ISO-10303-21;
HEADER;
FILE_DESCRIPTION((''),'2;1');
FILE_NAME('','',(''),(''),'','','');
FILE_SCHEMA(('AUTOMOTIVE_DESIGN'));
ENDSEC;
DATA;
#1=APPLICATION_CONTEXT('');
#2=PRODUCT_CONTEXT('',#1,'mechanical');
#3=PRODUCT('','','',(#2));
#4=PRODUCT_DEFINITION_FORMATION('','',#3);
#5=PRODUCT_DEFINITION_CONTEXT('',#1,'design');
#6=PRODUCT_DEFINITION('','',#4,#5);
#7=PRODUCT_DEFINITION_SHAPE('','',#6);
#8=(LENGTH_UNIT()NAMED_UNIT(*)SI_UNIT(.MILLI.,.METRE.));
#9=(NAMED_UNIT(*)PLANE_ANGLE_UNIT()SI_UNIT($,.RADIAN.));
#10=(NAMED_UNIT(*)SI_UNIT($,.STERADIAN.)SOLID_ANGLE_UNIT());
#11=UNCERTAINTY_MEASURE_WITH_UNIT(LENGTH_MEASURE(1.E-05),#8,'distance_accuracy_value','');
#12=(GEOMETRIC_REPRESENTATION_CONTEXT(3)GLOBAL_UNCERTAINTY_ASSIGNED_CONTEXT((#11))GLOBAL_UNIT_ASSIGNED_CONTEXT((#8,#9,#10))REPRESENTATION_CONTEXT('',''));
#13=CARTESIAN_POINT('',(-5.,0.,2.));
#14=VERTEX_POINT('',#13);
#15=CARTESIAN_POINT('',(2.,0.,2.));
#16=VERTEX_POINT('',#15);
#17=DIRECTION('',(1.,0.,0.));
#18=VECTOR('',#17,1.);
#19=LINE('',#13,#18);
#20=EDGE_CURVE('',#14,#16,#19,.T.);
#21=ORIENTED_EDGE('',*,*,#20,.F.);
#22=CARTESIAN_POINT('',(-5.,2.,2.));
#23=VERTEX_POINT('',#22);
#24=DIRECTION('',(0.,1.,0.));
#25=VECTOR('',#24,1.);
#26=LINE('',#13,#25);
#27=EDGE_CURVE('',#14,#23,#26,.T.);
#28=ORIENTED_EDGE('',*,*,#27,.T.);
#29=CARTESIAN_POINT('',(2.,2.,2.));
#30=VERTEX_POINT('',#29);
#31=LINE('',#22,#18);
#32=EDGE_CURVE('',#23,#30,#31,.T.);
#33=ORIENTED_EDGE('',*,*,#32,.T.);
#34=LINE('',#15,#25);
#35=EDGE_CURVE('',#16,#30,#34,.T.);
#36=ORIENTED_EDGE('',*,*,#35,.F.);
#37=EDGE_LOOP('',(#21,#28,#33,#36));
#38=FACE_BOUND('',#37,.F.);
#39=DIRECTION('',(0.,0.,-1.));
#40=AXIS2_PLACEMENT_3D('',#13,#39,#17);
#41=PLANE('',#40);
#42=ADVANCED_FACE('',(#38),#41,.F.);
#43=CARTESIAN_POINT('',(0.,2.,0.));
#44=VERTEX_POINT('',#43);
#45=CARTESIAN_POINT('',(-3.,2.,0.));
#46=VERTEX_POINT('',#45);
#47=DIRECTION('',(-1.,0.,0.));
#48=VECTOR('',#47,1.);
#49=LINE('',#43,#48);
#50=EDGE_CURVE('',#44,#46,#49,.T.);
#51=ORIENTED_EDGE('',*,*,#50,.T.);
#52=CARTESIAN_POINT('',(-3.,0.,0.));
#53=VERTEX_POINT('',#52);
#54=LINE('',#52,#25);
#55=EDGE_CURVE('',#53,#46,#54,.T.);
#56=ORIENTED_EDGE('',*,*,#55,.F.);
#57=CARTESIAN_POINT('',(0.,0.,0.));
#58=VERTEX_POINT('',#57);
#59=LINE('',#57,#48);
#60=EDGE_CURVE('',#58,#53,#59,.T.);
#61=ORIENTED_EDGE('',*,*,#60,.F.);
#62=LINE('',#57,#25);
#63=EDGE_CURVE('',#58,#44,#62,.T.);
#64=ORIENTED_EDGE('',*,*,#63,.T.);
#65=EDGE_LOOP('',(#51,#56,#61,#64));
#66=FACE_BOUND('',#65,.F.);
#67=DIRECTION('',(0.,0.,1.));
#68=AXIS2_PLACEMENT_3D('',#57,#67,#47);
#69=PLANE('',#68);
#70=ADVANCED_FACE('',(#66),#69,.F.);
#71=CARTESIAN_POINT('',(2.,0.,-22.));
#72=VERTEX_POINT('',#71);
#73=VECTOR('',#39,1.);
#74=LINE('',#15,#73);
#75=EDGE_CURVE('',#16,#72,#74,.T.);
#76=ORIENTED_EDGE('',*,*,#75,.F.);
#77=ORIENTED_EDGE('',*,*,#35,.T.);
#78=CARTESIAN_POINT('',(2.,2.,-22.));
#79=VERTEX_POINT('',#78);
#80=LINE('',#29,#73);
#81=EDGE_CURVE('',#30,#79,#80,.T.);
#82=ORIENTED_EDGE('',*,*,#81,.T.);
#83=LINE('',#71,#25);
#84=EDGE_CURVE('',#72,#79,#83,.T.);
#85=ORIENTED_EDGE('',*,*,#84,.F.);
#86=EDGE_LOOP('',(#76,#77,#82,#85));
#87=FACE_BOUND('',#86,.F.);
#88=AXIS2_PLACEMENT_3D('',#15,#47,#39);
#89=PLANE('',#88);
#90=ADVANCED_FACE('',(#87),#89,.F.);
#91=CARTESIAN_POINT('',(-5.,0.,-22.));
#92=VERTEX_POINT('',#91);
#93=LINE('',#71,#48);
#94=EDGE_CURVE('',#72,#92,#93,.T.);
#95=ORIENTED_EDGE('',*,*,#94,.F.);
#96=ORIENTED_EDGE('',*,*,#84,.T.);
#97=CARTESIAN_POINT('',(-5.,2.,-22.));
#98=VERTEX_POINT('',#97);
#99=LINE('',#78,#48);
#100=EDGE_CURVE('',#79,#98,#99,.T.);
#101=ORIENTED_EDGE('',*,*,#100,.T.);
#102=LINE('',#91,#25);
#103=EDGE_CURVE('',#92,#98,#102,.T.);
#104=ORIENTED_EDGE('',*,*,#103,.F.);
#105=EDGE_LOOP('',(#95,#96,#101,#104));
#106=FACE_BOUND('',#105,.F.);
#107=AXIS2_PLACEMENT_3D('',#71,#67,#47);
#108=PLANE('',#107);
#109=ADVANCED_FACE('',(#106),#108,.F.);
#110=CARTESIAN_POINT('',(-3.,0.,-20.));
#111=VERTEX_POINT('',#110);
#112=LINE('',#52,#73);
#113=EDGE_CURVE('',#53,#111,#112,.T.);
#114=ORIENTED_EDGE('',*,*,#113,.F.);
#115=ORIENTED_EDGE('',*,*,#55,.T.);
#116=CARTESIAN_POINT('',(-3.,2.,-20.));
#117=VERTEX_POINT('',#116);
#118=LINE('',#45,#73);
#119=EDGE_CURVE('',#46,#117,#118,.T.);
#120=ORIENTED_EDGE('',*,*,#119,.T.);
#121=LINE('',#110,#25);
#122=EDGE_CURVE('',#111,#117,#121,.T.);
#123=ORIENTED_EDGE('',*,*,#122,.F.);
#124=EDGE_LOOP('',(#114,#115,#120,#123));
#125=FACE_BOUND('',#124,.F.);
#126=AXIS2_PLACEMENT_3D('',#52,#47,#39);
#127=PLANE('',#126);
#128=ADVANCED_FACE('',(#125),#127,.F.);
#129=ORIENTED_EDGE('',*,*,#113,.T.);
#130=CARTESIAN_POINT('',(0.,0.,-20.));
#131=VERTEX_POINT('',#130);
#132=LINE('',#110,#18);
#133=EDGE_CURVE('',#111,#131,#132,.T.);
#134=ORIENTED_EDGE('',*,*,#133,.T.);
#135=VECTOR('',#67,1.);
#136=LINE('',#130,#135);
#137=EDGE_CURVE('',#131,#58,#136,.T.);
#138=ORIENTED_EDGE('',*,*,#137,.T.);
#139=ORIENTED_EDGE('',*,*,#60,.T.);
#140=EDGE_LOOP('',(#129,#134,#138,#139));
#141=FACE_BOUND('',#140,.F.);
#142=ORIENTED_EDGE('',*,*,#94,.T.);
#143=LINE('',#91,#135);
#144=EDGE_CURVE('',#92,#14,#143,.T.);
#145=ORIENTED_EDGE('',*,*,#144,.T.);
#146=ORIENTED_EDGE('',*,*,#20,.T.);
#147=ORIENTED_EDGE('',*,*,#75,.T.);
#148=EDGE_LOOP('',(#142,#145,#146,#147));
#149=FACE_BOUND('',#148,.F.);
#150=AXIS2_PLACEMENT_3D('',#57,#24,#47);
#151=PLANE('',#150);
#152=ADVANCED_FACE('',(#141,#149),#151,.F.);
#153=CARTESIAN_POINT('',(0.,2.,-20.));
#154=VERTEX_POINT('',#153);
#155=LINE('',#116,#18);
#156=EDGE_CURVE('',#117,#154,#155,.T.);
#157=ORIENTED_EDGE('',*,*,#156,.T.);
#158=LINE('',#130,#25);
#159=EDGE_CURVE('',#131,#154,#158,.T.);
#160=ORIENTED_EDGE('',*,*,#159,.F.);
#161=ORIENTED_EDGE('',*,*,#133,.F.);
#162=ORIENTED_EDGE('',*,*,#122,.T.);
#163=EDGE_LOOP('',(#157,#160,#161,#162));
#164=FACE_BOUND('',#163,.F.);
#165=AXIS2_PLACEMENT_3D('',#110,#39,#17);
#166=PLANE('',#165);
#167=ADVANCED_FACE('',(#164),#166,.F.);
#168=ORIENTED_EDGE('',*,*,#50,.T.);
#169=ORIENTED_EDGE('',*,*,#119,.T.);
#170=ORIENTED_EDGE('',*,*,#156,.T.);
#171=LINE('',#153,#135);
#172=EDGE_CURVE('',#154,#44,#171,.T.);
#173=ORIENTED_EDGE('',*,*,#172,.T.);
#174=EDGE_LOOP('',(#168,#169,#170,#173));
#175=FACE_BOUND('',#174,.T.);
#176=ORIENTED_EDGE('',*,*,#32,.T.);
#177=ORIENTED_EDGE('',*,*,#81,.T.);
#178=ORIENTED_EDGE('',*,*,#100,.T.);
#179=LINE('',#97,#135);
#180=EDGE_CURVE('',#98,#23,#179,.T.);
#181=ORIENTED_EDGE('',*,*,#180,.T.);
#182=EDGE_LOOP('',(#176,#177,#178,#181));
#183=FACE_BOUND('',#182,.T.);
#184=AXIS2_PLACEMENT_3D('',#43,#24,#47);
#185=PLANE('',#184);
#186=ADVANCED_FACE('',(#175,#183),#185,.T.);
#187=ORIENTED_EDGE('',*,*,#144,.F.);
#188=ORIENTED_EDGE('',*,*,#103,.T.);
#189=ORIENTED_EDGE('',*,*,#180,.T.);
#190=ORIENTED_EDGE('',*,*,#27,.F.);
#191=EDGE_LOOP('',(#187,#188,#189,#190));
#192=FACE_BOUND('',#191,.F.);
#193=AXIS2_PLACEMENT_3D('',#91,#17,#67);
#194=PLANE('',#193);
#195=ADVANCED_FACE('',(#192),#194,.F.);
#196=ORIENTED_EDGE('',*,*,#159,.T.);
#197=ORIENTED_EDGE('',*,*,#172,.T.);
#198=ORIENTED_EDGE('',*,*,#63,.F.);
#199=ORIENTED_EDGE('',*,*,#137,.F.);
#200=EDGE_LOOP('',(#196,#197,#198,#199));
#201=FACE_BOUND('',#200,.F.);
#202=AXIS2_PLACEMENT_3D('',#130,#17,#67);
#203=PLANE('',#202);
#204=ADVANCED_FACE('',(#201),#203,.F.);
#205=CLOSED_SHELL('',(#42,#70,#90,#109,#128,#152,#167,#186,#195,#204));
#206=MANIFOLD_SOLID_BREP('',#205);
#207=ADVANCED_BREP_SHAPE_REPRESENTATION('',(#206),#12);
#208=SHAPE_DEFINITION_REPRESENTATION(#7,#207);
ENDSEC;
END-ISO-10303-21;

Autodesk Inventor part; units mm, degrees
ref_plane "YZ Plane" through (0, 0, 0) normal (1, 0, 0) x (0, 1, 0)
ref_plane "XZ Plane" through (0, 0, 0) normal (0, 1, 0) x (-1, 0, 0)
ref_plane "XY Plane" through (0, 0, 0) normal (0, 0, 1) x (1, 0, 0)
sketch "Sketch1" plane through (0, 0, 0) normal (0, 1, 0) x (-1, 0, 0)
  line L0 (0, 0) -> (3, 0)
  line L1 (3, 0) -> (3, -20)
  line L2 (3, -20) -> (0, -20)
  line L3 (0, -20) -> (0, 0)
  line L4 (5, -22) -> (5, 2)
  line L5 (5, 2) -> (-2, 2)
  line L6 (-2, 2) -> (-2, -22)
  line L7 (-2, -22) -> (5, -22)
  dimension "d0" = 3
  dimension "d1" = 20
  dimension "d2" = 2
extrude "Extrusion1" add sketch "Sketch1" along normal blind 2
properties part number "Palm_Hand_Velcro_Strap_Buckle_(Version_1)"
